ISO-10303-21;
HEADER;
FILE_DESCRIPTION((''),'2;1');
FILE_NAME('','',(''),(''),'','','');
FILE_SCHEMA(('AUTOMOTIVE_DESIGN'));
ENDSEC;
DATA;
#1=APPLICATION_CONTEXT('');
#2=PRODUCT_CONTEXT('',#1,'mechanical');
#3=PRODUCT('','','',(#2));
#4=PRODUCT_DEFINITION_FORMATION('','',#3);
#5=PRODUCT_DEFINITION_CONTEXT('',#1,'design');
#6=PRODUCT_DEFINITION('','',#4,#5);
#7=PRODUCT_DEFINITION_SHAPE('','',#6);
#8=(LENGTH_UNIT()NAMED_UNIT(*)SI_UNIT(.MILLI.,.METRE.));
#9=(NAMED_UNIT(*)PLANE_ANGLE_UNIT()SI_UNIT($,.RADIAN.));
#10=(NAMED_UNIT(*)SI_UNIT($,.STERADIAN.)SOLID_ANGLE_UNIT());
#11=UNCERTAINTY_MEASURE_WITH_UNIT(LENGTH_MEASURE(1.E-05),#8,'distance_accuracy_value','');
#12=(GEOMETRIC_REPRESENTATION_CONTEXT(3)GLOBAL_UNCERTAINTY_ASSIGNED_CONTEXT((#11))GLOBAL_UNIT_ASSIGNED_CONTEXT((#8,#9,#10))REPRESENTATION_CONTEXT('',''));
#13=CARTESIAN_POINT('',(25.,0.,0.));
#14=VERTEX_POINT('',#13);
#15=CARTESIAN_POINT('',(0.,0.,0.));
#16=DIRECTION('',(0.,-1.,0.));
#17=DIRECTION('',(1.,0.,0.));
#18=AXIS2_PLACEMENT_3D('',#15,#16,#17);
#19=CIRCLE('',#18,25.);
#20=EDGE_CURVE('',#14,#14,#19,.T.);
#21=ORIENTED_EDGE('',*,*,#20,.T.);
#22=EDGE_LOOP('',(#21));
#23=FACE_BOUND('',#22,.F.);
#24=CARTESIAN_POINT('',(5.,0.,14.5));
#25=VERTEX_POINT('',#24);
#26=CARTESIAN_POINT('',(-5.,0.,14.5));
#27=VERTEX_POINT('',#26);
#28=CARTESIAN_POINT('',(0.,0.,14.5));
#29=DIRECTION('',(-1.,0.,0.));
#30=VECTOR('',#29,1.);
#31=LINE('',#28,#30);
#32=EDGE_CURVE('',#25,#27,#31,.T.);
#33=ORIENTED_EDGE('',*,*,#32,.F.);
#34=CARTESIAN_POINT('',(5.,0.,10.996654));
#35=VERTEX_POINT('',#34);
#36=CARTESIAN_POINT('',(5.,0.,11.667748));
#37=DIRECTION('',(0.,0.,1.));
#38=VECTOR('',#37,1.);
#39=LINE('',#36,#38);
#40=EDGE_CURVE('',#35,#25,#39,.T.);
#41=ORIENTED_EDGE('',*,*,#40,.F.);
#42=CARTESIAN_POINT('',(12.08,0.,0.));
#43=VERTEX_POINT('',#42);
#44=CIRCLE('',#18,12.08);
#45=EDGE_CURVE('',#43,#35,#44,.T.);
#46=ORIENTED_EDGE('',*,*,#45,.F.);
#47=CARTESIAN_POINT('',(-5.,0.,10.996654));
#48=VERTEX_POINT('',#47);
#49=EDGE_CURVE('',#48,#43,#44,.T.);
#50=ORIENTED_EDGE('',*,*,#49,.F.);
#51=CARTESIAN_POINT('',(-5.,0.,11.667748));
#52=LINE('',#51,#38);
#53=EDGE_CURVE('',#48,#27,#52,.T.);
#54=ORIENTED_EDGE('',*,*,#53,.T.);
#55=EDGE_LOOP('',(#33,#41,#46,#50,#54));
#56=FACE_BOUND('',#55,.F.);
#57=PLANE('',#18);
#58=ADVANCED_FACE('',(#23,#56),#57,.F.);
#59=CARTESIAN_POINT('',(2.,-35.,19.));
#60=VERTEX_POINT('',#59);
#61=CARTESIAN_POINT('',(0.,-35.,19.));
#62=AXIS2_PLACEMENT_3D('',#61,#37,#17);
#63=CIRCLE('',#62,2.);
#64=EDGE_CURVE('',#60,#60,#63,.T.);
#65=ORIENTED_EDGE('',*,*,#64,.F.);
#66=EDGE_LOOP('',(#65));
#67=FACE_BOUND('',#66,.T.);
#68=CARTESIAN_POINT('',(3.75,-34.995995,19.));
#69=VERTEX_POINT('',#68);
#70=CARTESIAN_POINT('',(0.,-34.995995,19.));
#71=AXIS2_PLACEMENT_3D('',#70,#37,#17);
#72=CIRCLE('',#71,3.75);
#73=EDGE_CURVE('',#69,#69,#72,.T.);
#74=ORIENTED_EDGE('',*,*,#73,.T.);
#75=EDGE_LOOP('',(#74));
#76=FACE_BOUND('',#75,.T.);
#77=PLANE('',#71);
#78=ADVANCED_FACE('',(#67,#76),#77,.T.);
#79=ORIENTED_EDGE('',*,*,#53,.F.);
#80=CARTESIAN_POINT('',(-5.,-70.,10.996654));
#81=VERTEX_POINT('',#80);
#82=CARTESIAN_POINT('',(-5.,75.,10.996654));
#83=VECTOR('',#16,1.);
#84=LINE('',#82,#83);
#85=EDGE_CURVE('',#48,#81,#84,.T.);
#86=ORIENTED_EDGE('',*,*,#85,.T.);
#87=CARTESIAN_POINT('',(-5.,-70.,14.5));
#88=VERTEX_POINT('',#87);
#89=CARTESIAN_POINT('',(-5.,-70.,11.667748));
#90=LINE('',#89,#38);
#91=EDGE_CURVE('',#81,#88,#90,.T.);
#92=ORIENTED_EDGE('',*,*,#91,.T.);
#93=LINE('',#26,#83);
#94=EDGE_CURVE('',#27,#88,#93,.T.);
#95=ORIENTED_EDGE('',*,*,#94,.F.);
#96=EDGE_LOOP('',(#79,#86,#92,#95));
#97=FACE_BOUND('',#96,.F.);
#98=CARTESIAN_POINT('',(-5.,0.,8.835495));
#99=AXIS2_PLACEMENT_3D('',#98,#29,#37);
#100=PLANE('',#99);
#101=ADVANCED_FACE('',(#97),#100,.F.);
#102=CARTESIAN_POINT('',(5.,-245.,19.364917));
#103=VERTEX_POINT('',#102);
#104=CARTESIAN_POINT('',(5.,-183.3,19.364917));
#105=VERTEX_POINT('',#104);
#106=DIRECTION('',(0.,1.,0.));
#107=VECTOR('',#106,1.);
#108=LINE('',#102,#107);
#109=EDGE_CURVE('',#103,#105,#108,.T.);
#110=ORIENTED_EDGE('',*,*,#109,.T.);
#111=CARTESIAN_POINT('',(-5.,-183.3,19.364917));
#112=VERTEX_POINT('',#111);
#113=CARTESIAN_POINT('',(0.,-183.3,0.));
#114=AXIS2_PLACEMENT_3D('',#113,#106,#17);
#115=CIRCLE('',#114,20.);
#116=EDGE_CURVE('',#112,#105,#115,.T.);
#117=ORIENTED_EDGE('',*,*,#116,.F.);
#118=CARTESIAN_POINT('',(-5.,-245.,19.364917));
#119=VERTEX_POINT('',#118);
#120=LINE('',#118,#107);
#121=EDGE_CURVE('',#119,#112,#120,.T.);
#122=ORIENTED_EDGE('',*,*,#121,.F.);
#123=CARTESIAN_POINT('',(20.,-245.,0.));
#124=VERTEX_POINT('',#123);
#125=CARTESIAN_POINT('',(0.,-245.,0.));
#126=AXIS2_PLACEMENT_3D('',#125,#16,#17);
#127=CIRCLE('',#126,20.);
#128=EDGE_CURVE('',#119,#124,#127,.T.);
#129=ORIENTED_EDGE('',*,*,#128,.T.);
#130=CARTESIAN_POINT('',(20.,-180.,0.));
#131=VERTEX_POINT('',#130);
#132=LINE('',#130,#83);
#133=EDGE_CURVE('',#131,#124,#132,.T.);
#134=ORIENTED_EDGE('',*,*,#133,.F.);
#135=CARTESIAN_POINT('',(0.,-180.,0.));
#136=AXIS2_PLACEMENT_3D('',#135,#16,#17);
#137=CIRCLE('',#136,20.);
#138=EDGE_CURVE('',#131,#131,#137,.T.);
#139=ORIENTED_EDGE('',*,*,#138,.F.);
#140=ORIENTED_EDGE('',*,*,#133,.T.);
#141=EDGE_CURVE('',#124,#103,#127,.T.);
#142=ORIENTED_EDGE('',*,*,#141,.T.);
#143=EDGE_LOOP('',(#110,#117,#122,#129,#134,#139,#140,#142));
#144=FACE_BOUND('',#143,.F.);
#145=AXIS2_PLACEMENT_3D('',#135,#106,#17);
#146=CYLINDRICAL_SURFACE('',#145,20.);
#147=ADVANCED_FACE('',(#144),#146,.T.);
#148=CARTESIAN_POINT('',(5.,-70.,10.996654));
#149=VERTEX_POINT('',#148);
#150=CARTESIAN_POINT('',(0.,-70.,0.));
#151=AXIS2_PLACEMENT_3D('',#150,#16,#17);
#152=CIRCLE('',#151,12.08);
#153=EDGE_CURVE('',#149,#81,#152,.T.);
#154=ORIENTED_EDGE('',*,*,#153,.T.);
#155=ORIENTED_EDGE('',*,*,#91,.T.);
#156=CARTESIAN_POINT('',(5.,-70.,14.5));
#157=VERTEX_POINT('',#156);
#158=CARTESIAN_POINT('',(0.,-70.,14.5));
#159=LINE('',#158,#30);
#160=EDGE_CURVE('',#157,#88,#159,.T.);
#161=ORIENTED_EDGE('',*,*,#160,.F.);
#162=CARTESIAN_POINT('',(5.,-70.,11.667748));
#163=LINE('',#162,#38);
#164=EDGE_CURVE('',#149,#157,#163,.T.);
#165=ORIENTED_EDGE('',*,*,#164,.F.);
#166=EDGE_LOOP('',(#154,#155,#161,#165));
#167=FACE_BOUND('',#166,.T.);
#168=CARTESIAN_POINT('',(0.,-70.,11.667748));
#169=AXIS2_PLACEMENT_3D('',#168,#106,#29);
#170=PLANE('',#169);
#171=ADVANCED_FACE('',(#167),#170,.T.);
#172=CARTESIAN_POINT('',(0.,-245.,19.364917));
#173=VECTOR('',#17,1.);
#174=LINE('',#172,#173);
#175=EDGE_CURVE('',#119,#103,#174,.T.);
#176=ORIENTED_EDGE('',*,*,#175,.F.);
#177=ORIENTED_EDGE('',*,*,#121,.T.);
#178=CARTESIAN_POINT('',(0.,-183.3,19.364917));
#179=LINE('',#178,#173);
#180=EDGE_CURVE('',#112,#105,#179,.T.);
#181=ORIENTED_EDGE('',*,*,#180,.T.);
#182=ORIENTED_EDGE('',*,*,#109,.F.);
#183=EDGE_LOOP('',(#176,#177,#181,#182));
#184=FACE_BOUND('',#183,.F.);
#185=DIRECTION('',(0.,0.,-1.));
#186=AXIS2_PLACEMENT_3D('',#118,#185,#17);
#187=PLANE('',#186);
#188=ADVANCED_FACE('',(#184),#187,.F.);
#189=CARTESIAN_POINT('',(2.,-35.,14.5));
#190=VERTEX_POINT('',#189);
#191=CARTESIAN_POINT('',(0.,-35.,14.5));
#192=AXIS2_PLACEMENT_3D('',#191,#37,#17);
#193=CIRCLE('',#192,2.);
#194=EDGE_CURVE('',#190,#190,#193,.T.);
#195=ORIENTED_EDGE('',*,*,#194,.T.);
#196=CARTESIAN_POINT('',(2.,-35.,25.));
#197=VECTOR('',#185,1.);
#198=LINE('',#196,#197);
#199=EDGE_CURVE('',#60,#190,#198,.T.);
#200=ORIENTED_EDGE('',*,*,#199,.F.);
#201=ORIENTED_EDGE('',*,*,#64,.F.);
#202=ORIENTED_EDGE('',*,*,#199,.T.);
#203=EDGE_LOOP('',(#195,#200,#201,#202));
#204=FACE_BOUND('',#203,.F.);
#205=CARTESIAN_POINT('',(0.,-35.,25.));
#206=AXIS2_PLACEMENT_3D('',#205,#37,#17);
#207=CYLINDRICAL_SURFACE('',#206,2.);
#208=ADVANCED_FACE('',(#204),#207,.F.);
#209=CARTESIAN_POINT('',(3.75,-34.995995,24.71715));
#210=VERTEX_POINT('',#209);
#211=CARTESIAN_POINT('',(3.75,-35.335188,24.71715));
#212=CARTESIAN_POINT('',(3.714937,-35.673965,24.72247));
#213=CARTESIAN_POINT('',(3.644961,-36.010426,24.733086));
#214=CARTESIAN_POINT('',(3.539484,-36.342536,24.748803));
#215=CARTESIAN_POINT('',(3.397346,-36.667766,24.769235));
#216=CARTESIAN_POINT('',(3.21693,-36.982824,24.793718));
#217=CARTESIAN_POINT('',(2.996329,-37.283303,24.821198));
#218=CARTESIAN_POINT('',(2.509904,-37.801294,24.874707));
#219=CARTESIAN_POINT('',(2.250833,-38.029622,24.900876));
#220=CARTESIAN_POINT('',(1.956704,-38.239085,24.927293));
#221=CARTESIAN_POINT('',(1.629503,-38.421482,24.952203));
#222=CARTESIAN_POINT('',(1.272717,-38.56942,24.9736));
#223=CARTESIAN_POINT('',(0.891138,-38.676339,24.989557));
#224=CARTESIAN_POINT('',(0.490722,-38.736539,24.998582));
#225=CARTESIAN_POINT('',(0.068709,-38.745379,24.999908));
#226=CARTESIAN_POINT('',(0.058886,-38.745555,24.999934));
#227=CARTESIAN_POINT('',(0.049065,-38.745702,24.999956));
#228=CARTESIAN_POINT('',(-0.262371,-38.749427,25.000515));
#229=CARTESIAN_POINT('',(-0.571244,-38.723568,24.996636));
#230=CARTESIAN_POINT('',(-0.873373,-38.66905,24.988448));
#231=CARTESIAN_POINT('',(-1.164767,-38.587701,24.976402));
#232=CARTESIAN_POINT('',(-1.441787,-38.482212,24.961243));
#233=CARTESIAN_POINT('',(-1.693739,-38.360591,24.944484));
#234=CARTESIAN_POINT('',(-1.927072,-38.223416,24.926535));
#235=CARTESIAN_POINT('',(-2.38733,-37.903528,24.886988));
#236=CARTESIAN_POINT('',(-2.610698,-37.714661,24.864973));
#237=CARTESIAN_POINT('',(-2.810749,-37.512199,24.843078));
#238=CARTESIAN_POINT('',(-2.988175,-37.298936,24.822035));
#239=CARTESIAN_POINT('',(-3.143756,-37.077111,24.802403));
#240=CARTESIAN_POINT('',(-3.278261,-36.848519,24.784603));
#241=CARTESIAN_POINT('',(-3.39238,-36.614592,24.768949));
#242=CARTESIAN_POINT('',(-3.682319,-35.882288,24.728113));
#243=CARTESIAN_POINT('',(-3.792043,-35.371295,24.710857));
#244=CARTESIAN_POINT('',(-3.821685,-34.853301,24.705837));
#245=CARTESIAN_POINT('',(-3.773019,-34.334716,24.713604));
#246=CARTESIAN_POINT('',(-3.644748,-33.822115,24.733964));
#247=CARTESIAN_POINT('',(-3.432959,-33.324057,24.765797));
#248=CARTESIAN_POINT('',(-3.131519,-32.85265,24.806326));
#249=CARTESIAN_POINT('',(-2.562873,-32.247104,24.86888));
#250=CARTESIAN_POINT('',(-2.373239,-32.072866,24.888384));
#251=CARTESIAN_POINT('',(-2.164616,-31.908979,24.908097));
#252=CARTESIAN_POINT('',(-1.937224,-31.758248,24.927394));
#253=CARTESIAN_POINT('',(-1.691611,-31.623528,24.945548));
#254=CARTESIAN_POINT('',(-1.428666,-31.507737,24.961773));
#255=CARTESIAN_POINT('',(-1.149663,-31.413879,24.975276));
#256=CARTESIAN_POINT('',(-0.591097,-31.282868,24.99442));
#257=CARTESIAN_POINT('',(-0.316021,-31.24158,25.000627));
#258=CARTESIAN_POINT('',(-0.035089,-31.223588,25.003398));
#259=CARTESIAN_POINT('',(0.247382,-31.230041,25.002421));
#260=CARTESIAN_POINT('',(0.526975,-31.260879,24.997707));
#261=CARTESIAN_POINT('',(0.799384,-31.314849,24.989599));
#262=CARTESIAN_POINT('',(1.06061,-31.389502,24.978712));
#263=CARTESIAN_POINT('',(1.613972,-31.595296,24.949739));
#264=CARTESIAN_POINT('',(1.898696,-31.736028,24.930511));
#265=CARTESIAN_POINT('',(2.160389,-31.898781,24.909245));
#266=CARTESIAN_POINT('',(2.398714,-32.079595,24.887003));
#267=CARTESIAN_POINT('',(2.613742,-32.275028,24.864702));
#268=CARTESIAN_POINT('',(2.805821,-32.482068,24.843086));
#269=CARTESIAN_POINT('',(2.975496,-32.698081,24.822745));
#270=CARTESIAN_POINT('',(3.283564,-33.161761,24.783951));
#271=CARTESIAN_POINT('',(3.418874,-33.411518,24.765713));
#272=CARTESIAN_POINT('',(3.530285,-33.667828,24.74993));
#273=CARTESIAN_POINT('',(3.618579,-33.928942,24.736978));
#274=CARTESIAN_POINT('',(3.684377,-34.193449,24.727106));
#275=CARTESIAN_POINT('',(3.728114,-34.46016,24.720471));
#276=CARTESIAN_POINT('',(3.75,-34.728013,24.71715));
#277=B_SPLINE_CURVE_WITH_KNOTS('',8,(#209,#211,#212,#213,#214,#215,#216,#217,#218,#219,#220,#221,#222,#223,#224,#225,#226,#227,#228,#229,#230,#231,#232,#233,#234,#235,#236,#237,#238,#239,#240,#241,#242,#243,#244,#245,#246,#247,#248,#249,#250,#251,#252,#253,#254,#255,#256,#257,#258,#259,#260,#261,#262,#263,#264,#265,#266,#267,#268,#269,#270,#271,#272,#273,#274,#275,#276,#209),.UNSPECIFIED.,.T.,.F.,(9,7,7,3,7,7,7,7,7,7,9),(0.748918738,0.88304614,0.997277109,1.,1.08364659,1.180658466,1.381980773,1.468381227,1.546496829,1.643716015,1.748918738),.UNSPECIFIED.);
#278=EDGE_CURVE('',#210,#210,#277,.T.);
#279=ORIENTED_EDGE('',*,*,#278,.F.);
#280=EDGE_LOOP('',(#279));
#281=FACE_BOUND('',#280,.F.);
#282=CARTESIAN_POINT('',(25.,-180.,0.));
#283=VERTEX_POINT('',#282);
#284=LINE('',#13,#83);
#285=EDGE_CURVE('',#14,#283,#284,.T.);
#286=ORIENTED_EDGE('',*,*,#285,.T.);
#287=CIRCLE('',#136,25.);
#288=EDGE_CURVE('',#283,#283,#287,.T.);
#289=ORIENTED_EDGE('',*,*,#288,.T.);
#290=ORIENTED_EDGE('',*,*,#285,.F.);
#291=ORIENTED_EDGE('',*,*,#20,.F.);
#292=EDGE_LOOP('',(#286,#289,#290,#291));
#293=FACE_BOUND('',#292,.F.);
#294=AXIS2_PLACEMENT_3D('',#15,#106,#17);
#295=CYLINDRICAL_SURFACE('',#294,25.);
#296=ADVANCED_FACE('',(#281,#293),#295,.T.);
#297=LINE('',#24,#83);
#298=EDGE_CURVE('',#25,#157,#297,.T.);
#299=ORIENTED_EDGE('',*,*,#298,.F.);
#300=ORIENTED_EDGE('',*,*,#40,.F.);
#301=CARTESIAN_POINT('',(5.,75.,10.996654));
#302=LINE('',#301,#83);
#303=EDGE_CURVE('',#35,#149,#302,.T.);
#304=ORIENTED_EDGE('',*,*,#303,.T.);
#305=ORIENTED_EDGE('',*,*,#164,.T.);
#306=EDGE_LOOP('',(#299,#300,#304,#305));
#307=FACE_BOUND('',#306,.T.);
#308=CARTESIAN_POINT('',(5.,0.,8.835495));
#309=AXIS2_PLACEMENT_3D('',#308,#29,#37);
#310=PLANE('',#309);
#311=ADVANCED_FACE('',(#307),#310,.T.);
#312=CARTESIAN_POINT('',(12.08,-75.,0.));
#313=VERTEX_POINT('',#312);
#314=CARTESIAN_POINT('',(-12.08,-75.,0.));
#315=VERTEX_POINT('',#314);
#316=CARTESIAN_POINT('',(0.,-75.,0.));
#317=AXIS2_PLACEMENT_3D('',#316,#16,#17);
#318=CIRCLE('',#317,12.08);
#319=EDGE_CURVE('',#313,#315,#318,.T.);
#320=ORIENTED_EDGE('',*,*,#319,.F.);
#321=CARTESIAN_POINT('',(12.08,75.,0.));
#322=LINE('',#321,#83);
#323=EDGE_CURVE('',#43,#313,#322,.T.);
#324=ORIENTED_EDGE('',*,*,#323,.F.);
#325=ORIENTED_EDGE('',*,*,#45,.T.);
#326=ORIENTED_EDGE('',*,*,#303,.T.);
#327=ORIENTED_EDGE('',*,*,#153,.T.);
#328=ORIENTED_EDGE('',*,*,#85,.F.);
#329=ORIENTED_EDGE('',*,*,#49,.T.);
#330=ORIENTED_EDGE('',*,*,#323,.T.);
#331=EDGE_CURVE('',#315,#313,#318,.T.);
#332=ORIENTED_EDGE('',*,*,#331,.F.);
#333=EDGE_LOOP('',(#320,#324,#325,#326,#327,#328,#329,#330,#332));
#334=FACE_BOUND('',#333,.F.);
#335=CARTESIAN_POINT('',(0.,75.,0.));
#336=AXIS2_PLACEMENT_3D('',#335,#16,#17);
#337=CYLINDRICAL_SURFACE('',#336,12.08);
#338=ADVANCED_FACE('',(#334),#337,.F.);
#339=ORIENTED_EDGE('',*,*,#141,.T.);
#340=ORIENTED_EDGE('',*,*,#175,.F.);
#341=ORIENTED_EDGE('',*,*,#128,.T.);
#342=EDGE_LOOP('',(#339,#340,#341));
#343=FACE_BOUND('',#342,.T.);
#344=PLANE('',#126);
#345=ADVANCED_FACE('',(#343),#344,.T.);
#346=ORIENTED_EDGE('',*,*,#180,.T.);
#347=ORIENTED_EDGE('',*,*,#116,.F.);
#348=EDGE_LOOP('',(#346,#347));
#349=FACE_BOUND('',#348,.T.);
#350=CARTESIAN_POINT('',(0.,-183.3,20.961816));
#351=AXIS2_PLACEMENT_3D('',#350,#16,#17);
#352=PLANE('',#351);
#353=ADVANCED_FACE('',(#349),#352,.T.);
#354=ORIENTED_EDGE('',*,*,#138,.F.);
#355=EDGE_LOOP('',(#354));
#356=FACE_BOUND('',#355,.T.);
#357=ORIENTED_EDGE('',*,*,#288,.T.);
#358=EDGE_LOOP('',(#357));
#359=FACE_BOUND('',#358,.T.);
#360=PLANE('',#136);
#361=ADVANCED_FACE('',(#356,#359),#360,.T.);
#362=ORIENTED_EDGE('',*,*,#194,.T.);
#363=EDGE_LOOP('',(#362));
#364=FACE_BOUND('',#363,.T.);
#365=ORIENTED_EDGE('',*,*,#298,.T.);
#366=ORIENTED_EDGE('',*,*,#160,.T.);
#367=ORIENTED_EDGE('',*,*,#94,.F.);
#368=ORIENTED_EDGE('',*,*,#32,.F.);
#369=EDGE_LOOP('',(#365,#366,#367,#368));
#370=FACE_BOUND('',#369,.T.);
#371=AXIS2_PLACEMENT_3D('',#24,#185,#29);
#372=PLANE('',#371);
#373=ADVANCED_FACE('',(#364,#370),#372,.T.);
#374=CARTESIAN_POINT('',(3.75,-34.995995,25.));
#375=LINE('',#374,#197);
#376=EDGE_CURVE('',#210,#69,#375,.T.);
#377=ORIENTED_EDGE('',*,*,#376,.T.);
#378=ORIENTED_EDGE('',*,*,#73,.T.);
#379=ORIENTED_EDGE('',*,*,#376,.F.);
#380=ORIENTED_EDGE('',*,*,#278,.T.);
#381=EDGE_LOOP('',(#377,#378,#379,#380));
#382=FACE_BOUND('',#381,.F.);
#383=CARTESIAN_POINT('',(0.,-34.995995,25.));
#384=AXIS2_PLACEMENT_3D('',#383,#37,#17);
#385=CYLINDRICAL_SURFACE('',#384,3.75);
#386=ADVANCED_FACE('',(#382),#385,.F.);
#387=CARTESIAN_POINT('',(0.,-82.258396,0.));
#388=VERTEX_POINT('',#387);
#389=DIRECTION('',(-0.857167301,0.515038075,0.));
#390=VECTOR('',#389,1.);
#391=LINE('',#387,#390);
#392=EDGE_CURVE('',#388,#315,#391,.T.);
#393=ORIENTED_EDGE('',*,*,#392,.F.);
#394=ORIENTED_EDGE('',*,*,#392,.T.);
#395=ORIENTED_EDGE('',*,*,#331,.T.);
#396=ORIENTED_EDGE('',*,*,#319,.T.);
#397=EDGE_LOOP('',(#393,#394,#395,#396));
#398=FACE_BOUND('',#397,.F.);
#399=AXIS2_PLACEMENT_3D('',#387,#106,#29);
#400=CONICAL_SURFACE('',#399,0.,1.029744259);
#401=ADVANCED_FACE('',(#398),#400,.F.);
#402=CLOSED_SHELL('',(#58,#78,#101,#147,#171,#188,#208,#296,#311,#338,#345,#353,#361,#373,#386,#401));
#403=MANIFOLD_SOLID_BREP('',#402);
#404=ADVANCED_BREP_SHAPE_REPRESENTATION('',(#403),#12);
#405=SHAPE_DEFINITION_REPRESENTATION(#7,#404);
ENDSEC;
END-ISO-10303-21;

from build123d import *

# Parameters (mm, degrees)
F0_R      = 25
F1_DEPTH  = 180
F2_R      = 20
F3_DEPTH  = 65
F4_W      = 10
F4_H      = 3.1937984634
F5_DEPTH  = 61.7
F7_D      = 24.16
F7_DEPTH  = 75
F7_TIP    = 7.2583962779
F8_W      = 10
F8_H      = 5.6645046324
F9_DEPTH  = 70
F11_R     = 2
F12_DEPTH = 25
F13_R     = 3.75
F14_DEPTH = 6


with BuildPart() as f1:
    # F0 (on Front) → F1 (new body)
    with BuildSketch(Plane.XZ):
        Circle(F0_R)
    extrude(amount=F1_DEPTH)

    # F2 (on face) → F3 (join)
    with BuildSketch(Plane.XZ.offset(180)):
        Circle(F2_R)
    extrude(amount=F3_DEPTH)

    # F4 (on face) → F5 (cut)
    with BuildSketch(Plane.XZ.offset(245)):
        with Locations((0, 20.9618159628)):
            Rectangle(F4_W, F4_H)
    extrude(amount=-F5_DEPTH, mode=Mode.SUBTRACT)

    # F7
    with Locations(Plane(origin=(0, 0, 0), x_dir=(-1, 0, 0), z_dir=(0, 1, 0))):
        with Locations((0, 0)):
            Hole(F7_D / 2, depth=F7_DEPTH)
            with Locations((0, 0, -(F7_DEPTH + F7_TIP / 2))):  # 118° drill point
                Cone(0, F7_D / 2, F7_TIP, mode=Mode.SUBTRACT)

    # F8 (on face) → F9 (cut)
    with BuildSketch(Plane(origin=(0, 0, 0), x_dir=(-1, 0, 0), z_dir=(0, 1, 0))):
        with Locations((0, 11.6677476838)):
            Rectangle(F8_W, F8_H)
    extrude(amount=-F9_DEPTH, mode=Mode.SUBTRACT)

    # F11 (on offset) → F12 (cut)
    with BuildSketch(Plane.XY.offset(25)):
        with Locations((0, -35)):
            Circle(F11_R)
    extrude(amount=-F12_DEPTH, mode=Mode.SUBTRACT)

    # F13 (on offset) → F14 (cut)
    with BuildSketch(Plane.XY.offset(25)):
        with Locations((0, -34.9959954619)):
            Circle(F13_R)
    extrude(amount=-F14_DEPTH, mode=Mode.SUBTRACT)


solid = f1.part
